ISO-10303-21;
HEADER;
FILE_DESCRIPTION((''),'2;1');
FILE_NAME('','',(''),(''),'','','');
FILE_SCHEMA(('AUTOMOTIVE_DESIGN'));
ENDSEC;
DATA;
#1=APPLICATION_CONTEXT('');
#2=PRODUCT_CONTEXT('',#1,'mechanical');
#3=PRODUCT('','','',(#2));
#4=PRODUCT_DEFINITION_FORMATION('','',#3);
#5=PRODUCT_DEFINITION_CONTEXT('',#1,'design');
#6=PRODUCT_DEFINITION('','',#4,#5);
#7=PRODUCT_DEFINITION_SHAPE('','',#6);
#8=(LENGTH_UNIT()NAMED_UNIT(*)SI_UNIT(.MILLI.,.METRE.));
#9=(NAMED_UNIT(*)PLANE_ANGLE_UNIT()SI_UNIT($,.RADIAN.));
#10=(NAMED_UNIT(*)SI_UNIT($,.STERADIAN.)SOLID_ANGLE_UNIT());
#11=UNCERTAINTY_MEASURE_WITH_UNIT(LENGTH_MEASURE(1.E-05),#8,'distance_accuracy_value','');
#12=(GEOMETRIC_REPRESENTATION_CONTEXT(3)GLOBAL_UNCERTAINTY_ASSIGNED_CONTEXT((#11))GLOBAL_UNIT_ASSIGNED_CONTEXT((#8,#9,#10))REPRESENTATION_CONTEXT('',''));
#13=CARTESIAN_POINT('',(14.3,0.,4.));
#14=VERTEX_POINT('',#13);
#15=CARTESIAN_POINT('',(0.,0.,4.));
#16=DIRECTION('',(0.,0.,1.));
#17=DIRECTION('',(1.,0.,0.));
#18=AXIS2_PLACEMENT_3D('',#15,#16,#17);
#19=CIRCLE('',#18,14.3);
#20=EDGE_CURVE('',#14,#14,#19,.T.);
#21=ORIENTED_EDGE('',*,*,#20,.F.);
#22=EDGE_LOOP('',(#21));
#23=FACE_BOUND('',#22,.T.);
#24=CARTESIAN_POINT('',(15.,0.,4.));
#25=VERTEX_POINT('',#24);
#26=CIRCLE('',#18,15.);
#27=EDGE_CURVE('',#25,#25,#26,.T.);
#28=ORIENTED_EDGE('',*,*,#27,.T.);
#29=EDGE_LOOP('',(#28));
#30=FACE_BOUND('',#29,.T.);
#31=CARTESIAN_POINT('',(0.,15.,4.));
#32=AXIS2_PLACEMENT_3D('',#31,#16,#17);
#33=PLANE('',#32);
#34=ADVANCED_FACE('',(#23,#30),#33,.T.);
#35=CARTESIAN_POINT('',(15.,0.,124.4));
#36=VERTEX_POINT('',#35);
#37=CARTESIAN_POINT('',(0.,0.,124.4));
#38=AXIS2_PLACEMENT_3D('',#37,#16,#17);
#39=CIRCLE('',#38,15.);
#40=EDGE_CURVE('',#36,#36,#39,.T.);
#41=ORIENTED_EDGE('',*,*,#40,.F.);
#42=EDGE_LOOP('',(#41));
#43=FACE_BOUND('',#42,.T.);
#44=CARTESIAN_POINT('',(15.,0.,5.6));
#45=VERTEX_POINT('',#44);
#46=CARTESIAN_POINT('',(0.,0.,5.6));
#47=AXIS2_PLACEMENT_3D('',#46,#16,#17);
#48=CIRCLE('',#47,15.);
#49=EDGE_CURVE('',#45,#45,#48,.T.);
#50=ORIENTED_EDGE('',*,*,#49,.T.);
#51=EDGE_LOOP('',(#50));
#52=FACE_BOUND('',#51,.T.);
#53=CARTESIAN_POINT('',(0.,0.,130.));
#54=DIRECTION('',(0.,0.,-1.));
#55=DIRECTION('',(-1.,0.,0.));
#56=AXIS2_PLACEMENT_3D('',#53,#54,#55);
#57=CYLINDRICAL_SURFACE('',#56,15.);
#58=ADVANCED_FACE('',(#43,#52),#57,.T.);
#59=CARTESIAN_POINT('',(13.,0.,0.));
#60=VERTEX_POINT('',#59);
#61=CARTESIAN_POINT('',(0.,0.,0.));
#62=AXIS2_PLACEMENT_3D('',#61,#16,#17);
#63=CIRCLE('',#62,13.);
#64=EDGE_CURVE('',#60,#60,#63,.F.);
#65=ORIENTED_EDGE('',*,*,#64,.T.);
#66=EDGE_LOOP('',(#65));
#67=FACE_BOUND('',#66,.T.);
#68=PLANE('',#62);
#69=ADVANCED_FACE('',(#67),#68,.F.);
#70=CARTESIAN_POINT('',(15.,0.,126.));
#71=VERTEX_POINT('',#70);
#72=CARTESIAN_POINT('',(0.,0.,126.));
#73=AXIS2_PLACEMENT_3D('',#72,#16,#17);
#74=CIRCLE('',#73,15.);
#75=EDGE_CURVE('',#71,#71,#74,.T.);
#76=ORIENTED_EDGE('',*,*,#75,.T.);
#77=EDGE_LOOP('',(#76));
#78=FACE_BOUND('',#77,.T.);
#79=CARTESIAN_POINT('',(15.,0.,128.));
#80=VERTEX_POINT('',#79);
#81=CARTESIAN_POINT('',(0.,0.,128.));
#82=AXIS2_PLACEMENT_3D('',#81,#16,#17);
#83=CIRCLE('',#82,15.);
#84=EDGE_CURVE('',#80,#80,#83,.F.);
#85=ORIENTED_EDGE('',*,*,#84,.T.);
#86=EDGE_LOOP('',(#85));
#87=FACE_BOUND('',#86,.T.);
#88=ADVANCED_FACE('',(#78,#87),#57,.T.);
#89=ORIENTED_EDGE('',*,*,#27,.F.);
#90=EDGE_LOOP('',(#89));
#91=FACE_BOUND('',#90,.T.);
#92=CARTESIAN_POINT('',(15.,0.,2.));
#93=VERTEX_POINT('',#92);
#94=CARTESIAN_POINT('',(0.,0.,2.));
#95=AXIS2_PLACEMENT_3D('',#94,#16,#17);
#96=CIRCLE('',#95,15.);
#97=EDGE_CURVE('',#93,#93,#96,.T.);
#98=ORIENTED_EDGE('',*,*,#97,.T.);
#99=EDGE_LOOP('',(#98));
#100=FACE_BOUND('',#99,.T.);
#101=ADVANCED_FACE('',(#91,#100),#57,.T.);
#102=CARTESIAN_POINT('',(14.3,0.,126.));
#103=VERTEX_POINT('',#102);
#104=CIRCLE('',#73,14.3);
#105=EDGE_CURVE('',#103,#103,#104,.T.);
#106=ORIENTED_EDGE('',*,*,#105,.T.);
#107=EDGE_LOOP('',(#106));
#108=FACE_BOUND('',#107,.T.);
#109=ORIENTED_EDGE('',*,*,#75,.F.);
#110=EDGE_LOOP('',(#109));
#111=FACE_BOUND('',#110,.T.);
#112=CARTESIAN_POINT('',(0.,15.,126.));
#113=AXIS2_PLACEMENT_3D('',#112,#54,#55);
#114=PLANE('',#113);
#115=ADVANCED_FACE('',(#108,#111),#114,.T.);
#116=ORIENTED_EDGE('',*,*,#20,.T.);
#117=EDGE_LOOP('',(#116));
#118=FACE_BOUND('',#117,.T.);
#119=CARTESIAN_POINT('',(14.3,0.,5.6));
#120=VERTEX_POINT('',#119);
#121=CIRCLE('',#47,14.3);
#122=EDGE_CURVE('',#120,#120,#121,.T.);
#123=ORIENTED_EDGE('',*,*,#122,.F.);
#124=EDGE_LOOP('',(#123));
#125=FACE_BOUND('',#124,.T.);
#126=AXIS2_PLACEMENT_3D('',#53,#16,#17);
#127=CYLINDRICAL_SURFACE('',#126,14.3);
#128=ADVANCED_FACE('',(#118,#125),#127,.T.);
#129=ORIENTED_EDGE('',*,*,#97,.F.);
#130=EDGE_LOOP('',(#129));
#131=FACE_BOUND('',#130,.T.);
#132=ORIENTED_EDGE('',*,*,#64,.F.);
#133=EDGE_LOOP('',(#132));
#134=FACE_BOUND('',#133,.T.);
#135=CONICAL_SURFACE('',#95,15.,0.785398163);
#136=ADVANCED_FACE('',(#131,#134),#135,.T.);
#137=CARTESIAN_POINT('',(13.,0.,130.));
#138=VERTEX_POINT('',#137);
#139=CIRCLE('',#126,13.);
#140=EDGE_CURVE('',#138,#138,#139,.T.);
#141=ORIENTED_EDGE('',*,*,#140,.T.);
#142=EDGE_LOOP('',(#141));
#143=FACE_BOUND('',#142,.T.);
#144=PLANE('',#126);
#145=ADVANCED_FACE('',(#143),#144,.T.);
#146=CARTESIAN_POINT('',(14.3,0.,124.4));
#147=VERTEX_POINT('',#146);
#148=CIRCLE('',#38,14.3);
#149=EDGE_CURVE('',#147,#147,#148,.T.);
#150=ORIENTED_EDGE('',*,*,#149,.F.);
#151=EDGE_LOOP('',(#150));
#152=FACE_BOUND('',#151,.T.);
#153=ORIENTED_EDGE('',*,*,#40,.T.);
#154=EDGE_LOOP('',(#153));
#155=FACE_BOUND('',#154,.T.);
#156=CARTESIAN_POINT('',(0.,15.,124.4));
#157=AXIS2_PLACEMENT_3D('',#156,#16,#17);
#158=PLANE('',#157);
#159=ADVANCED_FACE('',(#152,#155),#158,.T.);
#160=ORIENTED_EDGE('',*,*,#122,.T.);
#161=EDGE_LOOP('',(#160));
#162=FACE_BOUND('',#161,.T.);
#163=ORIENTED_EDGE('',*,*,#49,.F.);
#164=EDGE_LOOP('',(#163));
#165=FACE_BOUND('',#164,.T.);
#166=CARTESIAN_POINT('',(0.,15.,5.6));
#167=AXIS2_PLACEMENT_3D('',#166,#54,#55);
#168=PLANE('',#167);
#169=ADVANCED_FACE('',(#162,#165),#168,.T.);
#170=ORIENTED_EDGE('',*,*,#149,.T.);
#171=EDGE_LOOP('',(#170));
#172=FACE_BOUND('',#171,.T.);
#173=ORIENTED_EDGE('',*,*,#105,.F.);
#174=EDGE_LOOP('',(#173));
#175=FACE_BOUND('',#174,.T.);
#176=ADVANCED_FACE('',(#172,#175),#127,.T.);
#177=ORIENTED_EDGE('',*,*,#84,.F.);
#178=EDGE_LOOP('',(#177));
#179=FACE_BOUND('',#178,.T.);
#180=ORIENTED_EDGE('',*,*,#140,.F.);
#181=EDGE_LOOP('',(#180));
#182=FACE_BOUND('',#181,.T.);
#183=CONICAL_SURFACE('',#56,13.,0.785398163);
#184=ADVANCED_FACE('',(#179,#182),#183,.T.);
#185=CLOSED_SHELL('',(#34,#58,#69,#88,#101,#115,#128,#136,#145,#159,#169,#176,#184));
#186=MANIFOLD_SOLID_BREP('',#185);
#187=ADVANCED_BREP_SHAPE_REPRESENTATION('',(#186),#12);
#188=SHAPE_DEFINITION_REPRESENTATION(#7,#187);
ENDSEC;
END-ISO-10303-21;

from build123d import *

# Parameters (mm, degrees)
SKETCH1_R           = 15
BOSS_EXTRUDE1_DEPTH = 130
CHAMFER1_SIZE       = 2
SKETCH2_W           = 1.6
SKETCH2_H           = 0.7


with BuildPart() as part:
    # Sketch1 → Boss-Extrude1 (new body)
    with BuildSketch(Plane.XY):
        Circle(SKETCH1_R)
    extrude(amount=BOSS_EXTRUDE1_DEPTH)

    # Chamfer1
    chamfer1_edges = [part.edges().sort_by_distance(p)[0] for p in [
        (-15, 0, 0),
        (-15, 0, 130),
    ]]
    chamfer(chamfer1_edges, length=CHAMFER1_SIZE)

    # Sketch2 → Cut-Revolve1 (revolve, cut)
    with BuildSketch(Plane(origin=(0, 0, 0), x_dir=(0, 0, -1), z_dir=(1, 0, 0)), mode=Mode.PRIVATE) as cut_revolve1_sk:
        with Locations((-125.2, 14.65)):
            Rectangle(SKETCH2_W, SKETCH2_H)
        with Locations((-4.8, 14.65)):
            Rectangle(SKETCH2_W, SKETCH2_H)
    revolve(cut_revolve1_sk.sketch.rotate(Axis((0, 0, 130), (0, 0, -1)), 90), axis=Axis((0, 0, 130), (0, 0, -1)), mode=Mode.SUBTRACT)


solid = part.part
